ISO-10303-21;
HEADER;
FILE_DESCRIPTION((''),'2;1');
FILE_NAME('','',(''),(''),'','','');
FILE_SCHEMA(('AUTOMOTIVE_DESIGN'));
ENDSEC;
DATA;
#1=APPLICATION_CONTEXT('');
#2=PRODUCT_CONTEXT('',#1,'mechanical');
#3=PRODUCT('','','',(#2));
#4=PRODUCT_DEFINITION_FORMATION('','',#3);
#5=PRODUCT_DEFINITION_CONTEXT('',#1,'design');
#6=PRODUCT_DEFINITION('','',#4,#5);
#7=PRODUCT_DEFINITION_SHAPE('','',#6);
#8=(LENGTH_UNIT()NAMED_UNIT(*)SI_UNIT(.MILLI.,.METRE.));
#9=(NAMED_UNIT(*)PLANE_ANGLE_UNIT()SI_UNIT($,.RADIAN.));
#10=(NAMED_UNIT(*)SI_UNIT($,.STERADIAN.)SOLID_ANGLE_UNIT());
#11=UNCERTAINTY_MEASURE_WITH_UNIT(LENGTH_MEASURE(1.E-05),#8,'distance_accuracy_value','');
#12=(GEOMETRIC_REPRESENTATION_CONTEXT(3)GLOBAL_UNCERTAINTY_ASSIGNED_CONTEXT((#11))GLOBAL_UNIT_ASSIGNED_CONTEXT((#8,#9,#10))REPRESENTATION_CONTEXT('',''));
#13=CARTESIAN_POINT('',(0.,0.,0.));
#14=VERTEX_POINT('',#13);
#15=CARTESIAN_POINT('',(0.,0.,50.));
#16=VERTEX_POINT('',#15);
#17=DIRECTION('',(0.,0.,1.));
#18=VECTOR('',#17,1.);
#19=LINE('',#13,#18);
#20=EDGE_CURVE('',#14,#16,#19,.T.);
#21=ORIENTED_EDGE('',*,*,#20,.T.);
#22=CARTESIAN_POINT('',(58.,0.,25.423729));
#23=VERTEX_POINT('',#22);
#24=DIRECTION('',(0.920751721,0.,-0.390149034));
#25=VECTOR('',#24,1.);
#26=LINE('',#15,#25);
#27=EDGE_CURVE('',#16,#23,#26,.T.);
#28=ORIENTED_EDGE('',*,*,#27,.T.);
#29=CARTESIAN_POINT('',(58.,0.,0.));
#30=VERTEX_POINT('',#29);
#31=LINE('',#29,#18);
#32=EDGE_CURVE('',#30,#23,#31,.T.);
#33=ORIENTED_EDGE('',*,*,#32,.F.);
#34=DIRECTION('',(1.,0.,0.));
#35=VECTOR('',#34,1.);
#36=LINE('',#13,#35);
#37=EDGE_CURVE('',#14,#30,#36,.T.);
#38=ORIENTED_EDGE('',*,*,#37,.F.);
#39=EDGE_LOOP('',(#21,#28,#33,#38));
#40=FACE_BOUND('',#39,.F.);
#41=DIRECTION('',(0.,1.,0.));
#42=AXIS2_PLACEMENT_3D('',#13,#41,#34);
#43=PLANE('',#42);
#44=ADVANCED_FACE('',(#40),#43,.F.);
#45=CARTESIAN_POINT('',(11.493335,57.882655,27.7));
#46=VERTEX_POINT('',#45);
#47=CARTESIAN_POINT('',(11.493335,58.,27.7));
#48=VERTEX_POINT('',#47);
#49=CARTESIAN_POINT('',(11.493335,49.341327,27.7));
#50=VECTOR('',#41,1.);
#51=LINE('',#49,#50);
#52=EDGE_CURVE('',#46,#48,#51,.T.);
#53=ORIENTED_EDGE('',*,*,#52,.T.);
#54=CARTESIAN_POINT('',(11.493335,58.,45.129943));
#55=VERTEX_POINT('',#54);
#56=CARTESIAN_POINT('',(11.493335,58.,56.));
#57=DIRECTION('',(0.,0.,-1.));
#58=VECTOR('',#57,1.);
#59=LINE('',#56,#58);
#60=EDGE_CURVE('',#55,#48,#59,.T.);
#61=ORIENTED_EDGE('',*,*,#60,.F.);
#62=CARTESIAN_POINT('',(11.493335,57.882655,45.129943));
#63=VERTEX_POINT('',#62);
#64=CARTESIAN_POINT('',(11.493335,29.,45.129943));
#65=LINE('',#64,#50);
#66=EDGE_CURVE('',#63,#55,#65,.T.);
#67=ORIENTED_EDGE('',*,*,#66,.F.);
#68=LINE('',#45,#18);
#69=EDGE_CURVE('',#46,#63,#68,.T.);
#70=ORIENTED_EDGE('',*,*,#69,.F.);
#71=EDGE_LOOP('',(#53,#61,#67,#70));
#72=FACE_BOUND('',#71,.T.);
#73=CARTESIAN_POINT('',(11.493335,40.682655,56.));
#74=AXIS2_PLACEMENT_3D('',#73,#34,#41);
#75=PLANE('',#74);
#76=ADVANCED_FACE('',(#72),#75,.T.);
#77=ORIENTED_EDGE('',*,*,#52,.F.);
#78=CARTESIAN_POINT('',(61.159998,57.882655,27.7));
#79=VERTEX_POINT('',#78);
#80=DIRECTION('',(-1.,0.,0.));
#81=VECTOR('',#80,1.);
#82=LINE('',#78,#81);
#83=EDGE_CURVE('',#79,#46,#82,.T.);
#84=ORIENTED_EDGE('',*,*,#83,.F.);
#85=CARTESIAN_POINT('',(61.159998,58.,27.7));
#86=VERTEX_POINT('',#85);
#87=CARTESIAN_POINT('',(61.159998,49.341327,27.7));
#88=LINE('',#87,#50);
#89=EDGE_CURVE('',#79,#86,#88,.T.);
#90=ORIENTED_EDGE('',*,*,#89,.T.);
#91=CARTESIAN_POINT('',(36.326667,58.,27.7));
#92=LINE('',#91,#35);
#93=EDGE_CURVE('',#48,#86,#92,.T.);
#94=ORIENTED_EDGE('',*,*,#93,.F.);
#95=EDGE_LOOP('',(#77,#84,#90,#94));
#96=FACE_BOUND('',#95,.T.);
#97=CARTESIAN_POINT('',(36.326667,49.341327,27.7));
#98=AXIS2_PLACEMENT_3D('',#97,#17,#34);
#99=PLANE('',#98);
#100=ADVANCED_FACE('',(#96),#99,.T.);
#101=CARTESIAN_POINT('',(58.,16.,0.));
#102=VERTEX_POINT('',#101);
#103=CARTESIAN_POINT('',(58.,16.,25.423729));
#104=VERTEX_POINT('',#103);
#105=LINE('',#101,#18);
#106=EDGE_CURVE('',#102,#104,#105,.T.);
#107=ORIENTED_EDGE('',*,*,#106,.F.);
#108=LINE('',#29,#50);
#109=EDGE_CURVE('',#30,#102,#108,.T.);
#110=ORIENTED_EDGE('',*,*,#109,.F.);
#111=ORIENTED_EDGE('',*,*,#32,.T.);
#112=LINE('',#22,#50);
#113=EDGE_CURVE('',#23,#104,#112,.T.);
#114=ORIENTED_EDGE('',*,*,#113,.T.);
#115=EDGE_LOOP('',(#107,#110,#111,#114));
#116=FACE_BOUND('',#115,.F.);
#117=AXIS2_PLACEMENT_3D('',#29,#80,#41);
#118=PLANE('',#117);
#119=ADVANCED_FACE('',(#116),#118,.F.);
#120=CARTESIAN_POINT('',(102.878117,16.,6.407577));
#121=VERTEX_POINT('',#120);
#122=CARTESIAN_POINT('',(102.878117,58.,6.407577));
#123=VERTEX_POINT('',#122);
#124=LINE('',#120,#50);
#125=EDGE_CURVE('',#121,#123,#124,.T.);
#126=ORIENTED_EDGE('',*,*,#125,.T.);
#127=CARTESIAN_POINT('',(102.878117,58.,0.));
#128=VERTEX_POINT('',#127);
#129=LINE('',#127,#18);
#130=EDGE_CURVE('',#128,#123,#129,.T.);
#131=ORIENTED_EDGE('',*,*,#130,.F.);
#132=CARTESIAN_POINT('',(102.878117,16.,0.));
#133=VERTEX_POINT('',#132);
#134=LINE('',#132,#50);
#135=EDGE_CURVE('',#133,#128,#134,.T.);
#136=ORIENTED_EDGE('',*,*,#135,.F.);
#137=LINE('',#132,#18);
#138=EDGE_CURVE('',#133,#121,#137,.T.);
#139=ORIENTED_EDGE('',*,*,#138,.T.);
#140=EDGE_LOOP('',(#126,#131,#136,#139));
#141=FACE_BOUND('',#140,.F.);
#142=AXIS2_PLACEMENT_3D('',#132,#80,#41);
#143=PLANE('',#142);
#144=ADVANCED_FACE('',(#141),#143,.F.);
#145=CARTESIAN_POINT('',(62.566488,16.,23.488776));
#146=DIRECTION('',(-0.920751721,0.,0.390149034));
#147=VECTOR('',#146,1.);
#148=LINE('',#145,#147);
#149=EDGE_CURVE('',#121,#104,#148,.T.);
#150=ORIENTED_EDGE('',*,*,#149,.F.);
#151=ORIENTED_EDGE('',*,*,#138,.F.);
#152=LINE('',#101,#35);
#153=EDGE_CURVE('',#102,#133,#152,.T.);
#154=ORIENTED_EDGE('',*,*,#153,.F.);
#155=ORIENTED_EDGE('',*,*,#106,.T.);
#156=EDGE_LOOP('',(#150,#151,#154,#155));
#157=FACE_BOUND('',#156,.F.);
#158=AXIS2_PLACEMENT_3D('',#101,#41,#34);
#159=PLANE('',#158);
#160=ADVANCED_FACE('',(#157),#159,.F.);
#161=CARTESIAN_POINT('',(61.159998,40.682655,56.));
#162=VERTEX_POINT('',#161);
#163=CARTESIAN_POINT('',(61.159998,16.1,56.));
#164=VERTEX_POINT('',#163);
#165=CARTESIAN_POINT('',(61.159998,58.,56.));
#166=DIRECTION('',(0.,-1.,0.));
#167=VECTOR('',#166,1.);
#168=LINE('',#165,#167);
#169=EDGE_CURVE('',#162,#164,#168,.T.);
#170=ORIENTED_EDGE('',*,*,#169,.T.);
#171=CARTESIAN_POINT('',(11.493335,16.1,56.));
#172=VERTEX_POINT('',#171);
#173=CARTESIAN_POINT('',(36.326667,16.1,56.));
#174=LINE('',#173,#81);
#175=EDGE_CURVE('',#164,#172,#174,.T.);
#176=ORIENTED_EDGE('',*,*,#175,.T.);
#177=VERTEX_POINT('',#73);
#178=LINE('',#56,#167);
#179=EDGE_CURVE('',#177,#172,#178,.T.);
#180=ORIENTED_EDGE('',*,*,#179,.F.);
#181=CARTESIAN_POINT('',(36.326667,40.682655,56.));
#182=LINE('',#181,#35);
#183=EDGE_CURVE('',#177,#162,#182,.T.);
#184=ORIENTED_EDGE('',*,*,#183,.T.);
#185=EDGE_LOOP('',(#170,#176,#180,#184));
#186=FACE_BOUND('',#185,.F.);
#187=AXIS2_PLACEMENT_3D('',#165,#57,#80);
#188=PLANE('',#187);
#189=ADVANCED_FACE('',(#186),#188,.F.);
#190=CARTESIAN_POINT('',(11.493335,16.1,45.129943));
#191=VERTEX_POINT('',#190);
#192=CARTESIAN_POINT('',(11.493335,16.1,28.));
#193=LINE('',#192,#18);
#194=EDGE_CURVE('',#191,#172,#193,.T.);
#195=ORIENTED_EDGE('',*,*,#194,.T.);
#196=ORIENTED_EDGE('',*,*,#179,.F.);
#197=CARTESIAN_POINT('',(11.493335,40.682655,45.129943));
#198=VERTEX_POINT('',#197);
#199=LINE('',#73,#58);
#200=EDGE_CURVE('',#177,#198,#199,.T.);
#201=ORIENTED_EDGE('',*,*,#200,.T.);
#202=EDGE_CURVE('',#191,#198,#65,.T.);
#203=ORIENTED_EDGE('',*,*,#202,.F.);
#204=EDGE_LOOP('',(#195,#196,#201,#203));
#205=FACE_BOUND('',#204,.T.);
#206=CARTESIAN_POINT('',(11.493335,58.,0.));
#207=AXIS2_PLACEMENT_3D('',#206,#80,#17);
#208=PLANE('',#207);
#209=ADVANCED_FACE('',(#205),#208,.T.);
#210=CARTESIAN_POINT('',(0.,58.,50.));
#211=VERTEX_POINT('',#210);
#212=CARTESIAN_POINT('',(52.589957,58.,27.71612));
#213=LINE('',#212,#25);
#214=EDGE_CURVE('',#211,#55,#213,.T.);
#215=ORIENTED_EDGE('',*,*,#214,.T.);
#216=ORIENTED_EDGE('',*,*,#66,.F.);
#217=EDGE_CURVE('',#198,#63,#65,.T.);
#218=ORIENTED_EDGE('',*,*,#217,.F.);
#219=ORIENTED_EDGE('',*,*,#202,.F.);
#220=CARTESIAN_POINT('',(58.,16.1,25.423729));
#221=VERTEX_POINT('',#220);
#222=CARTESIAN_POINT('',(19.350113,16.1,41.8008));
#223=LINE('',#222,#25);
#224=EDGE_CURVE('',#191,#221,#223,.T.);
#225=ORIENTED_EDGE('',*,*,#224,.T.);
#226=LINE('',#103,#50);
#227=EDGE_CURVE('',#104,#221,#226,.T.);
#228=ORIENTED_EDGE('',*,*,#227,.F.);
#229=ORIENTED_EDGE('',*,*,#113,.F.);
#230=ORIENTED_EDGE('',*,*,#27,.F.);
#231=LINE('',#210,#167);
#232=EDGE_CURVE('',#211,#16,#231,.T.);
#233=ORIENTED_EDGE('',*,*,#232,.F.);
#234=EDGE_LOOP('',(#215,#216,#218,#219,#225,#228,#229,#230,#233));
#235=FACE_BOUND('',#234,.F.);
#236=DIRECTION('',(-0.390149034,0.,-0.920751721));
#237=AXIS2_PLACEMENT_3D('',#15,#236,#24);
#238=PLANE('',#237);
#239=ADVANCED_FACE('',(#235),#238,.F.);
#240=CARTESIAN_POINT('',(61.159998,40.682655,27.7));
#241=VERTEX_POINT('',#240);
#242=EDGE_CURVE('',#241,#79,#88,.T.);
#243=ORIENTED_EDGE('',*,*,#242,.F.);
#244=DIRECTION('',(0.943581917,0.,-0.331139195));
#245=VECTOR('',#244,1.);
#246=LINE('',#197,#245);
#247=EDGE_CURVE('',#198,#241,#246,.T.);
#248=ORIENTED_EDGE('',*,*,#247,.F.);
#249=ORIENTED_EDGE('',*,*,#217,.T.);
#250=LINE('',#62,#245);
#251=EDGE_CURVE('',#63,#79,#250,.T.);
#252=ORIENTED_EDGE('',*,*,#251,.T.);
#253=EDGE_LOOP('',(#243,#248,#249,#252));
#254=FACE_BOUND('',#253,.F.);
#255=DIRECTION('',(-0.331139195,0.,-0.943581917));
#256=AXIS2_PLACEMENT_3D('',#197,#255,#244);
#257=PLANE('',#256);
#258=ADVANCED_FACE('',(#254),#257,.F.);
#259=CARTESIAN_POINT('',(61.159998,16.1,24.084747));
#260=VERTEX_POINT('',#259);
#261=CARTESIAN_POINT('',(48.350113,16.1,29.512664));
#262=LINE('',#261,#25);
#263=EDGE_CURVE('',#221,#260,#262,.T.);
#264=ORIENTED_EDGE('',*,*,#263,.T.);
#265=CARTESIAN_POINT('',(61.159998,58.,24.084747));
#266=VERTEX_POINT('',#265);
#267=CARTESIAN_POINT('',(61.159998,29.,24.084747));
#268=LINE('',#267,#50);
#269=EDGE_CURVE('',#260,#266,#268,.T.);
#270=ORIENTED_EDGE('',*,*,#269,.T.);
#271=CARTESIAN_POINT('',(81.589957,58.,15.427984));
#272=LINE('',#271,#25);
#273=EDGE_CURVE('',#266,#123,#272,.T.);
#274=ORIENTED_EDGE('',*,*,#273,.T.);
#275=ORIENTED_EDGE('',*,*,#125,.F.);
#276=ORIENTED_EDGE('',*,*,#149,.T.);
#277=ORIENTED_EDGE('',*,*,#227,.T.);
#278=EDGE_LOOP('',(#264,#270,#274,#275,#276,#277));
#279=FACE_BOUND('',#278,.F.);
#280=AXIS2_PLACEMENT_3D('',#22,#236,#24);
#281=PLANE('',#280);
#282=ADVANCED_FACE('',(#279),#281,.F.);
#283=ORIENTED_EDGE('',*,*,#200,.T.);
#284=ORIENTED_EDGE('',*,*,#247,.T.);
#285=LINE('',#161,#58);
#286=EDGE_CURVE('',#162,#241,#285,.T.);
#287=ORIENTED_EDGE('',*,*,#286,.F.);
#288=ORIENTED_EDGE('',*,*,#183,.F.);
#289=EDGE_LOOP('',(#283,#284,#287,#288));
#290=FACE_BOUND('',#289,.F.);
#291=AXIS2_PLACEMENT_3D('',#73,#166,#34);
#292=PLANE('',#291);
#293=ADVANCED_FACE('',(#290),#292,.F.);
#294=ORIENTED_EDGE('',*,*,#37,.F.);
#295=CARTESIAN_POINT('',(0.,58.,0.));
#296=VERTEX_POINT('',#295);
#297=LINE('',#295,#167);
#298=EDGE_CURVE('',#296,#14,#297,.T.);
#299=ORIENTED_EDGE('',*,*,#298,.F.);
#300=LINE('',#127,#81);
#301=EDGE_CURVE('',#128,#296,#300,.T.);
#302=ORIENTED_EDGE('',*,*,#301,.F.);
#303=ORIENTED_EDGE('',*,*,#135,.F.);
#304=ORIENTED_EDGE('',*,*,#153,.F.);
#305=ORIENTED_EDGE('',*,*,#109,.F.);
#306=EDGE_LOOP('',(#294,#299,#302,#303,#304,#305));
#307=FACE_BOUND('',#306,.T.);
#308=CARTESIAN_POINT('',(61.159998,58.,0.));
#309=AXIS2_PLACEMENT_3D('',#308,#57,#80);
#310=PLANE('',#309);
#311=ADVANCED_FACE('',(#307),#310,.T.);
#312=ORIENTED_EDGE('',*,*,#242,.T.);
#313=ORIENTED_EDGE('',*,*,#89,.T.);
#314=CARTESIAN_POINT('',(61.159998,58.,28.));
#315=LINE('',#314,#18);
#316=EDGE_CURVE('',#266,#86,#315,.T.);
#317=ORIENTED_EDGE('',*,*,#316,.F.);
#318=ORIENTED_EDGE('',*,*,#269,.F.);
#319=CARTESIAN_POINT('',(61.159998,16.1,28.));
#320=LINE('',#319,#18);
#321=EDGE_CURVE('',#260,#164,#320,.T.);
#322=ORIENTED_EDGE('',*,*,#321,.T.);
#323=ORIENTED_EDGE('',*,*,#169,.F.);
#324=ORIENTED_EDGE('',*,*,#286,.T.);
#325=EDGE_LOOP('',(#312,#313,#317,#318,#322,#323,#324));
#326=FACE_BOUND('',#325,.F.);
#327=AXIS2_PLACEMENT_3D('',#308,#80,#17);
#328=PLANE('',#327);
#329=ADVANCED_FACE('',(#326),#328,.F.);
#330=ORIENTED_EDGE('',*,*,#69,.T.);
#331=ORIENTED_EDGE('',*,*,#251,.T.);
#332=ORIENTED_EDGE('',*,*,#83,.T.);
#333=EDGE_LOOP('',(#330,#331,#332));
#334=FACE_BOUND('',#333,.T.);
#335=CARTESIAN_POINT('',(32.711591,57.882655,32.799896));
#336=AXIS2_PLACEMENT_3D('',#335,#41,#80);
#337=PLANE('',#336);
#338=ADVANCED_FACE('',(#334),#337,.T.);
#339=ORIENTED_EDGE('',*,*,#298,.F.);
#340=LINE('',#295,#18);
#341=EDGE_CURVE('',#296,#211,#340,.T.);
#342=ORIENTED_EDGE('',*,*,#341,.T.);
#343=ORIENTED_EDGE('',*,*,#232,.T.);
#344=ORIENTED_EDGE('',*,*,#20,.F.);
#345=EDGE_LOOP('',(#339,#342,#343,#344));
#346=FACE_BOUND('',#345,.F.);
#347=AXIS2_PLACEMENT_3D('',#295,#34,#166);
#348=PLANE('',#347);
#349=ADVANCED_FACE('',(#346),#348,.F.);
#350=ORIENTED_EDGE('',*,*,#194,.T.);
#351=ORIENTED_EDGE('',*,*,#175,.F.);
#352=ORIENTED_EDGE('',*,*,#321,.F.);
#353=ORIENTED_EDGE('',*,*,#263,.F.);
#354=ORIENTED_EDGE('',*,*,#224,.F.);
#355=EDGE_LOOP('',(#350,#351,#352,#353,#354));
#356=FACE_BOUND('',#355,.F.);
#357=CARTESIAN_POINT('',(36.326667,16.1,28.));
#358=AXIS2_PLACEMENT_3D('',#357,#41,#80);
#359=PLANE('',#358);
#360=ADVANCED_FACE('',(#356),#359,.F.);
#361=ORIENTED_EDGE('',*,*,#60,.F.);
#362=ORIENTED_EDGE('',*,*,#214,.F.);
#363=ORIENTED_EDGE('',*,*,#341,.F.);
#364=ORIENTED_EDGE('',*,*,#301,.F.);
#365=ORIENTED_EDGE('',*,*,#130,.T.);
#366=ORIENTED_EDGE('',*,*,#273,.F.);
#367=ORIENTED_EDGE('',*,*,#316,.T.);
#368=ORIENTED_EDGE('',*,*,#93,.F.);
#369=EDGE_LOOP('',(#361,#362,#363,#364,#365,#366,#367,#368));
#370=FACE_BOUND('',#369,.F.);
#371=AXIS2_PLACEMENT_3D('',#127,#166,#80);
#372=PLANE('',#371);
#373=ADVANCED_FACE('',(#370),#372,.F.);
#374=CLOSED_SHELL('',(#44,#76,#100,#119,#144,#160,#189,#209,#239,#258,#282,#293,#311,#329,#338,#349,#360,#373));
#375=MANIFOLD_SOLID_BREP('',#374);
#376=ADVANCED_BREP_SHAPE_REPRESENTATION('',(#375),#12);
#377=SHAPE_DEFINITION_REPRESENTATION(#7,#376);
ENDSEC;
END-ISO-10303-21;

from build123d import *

# Parameters (mm, degrees)
F1_DEPTH  = 50
F3_DEPTH  = 81.2
F4_DEPTH  = 25
F5_W      = 49.6666632582
F5_H      = 56
F6_DEPTH  = 41.9
F7_W      = 49.6666632582
F7_H      = 17.3173451722
F8_DEPTH  = 28.3
F10_DEPTH = 17.2


with BuildPart() as f1:
    # F0 (on Top) → F1 (new body)
    with BuildSketch(Plane.XY):
        Polygon((102.878117487, 58), (0, 58), (0, 0), (58, 0), (58, 16), (16, 16), (16, 42), (88, 42), (88, 16), (102.878117487, 16), align=None)
        Polygon((16, 16), (58, 16), (88, 16), (88, 42), (16, 42), align=None)
    extrude(amount=F1_DEPTH)

    # F2 (on face) → F3 (cut)
    with BuildSketch(Plane.XZ):
        Polygon((58, 50), (0, 50), (58, 25.4237288136), align=None)
        Polygon((58, 50), (58, 25.4237288136), (118, 0), (102.9013991356, 50), align=None)
    extrude(amount=-F3_DEPTH, mode=Mode.SUBTRACT)

    # F2 (on face) → F4 (cut)
    with BuildSketch(Plane.XZ):
        Polygon((58, 50), (58, 25.4237288136), (118, 0), (102.9013991356, 50), align=None)
    extrude(amount=-F4_DEPTH, mode=Mode.SUBTRACT)

    # F5 (on face) → F6 (join)
    with BuildSketch(Plane(origin=(0, 58, 0), x_dir=(-1, 0, 0), z_dir=(0, 1, 0))):
        with Locations((-36.3266665494, 28)):
            Rectangle(F5_W, F5_H)
    extrude(amount=-F6_DEPTH)

    # F7 (on face) → F8 (cut)
    with BuildSketch(Plane.XY.offset(56)):
        with Locations((36.3266665494, 49.3413274139)):
            Rectangle(F7_W, F7_H)
    extrude(amount=-F8_DEPTH, mode=Mode.SUBTRACT)

    # F9 (on face) → F10 (join)
    with BuildSketch(Plane(origin=(0, 40.6826548278, 0), x_dir=(-1, 0, 0), z_dir=(0, 1, 0))):
        Polygon((-11.4933349202, 45.1299428304), (-61.1599981785, 27.7), (-11.4933349202, 27.7), align=None)
    extrude(amount=F10_DEPTH)


solid = f1.part
